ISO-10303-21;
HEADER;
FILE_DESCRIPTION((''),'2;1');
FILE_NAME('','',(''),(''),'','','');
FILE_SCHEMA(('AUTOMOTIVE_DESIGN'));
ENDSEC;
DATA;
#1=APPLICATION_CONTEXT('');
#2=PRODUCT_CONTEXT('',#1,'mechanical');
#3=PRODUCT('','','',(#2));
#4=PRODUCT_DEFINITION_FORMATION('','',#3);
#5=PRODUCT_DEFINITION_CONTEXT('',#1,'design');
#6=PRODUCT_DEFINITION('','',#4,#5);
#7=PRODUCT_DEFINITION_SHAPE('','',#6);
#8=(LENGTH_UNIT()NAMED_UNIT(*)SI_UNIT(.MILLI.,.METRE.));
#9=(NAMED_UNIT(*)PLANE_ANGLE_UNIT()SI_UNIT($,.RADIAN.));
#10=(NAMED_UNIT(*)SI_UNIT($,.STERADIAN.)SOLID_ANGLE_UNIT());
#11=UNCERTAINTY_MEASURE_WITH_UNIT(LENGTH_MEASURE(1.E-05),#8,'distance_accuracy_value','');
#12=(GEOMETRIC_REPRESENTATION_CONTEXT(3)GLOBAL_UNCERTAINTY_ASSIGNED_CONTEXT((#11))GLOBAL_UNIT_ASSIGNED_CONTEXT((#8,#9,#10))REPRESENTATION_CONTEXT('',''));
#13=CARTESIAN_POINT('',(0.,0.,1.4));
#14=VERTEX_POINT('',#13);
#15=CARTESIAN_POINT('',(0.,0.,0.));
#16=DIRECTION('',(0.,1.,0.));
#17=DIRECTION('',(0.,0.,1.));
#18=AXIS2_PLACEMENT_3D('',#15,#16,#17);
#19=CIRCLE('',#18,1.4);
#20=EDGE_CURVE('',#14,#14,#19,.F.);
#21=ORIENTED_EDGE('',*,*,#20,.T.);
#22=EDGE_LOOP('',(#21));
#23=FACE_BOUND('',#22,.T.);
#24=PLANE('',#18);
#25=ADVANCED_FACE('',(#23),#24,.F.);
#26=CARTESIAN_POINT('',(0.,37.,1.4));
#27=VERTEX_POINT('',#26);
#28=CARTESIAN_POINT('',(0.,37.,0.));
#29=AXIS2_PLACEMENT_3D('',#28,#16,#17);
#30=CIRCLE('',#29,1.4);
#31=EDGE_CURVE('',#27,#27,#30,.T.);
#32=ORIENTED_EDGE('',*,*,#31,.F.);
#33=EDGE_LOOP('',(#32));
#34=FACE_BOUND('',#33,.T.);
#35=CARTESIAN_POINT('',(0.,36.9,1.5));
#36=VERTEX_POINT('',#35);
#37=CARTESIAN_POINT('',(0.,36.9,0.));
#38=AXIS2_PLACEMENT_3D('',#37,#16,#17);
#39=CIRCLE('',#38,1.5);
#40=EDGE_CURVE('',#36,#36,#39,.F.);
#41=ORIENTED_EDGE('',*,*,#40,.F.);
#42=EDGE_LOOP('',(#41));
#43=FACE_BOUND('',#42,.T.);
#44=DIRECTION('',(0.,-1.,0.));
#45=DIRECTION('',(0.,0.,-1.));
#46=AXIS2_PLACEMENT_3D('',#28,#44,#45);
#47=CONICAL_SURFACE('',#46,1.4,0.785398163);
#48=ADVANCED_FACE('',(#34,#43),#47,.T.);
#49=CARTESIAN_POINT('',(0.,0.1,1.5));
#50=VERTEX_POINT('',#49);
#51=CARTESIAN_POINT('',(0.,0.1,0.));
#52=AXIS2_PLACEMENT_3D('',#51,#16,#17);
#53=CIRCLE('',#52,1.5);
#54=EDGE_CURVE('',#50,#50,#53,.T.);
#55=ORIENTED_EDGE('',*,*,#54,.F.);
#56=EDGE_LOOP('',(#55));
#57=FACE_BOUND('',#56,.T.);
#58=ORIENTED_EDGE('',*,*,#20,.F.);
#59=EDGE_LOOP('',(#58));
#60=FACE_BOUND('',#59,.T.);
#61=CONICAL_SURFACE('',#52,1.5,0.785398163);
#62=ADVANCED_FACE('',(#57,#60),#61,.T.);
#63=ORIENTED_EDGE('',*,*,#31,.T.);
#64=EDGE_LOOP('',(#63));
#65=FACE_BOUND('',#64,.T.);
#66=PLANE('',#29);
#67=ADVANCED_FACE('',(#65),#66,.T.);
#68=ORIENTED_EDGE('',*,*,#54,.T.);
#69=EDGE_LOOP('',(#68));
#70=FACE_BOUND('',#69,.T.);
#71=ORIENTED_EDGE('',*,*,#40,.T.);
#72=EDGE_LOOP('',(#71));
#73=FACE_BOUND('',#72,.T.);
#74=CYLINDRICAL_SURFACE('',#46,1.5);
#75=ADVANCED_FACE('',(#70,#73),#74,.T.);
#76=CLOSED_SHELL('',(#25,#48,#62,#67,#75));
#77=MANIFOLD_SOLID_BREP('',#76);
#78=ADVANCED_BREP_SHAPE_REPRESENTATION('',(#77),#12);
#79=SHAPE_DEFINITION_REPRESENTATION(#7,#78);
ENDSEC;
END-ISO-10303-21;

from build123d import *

# Parameters (mm, degrees)
SKETCH1_R           = 1.5
BOSS_EXTRUDE1_DEPTH = 37
CHAMFER1_SIZE       = 0.1


with BuildPart() as part:
    # Sketch1 → Boss-Extrude1 (new body)
    with BuildSketch(Plane(origin=(0, 0, 0), x_dir=(1, 0, 0), z_dir=(0, 1, 0))):
        with Locations(Location((0, 0, 0), (0, 0, 270))):
            Circle(SKETCH1_R)
    extrude(amount=BOSS_EXTRUDE1_DEPTH)

    # Chamfer1
    chamfer1_edges = [part.edges().sort_by_distance(p)[0] for p in [
        (0, 0, -1.5),
        (0, 37, -1.5),
    ]]
    chamfer(chamfer1_edges, length=CHAMFER1_SIZE)


solid = part.part
